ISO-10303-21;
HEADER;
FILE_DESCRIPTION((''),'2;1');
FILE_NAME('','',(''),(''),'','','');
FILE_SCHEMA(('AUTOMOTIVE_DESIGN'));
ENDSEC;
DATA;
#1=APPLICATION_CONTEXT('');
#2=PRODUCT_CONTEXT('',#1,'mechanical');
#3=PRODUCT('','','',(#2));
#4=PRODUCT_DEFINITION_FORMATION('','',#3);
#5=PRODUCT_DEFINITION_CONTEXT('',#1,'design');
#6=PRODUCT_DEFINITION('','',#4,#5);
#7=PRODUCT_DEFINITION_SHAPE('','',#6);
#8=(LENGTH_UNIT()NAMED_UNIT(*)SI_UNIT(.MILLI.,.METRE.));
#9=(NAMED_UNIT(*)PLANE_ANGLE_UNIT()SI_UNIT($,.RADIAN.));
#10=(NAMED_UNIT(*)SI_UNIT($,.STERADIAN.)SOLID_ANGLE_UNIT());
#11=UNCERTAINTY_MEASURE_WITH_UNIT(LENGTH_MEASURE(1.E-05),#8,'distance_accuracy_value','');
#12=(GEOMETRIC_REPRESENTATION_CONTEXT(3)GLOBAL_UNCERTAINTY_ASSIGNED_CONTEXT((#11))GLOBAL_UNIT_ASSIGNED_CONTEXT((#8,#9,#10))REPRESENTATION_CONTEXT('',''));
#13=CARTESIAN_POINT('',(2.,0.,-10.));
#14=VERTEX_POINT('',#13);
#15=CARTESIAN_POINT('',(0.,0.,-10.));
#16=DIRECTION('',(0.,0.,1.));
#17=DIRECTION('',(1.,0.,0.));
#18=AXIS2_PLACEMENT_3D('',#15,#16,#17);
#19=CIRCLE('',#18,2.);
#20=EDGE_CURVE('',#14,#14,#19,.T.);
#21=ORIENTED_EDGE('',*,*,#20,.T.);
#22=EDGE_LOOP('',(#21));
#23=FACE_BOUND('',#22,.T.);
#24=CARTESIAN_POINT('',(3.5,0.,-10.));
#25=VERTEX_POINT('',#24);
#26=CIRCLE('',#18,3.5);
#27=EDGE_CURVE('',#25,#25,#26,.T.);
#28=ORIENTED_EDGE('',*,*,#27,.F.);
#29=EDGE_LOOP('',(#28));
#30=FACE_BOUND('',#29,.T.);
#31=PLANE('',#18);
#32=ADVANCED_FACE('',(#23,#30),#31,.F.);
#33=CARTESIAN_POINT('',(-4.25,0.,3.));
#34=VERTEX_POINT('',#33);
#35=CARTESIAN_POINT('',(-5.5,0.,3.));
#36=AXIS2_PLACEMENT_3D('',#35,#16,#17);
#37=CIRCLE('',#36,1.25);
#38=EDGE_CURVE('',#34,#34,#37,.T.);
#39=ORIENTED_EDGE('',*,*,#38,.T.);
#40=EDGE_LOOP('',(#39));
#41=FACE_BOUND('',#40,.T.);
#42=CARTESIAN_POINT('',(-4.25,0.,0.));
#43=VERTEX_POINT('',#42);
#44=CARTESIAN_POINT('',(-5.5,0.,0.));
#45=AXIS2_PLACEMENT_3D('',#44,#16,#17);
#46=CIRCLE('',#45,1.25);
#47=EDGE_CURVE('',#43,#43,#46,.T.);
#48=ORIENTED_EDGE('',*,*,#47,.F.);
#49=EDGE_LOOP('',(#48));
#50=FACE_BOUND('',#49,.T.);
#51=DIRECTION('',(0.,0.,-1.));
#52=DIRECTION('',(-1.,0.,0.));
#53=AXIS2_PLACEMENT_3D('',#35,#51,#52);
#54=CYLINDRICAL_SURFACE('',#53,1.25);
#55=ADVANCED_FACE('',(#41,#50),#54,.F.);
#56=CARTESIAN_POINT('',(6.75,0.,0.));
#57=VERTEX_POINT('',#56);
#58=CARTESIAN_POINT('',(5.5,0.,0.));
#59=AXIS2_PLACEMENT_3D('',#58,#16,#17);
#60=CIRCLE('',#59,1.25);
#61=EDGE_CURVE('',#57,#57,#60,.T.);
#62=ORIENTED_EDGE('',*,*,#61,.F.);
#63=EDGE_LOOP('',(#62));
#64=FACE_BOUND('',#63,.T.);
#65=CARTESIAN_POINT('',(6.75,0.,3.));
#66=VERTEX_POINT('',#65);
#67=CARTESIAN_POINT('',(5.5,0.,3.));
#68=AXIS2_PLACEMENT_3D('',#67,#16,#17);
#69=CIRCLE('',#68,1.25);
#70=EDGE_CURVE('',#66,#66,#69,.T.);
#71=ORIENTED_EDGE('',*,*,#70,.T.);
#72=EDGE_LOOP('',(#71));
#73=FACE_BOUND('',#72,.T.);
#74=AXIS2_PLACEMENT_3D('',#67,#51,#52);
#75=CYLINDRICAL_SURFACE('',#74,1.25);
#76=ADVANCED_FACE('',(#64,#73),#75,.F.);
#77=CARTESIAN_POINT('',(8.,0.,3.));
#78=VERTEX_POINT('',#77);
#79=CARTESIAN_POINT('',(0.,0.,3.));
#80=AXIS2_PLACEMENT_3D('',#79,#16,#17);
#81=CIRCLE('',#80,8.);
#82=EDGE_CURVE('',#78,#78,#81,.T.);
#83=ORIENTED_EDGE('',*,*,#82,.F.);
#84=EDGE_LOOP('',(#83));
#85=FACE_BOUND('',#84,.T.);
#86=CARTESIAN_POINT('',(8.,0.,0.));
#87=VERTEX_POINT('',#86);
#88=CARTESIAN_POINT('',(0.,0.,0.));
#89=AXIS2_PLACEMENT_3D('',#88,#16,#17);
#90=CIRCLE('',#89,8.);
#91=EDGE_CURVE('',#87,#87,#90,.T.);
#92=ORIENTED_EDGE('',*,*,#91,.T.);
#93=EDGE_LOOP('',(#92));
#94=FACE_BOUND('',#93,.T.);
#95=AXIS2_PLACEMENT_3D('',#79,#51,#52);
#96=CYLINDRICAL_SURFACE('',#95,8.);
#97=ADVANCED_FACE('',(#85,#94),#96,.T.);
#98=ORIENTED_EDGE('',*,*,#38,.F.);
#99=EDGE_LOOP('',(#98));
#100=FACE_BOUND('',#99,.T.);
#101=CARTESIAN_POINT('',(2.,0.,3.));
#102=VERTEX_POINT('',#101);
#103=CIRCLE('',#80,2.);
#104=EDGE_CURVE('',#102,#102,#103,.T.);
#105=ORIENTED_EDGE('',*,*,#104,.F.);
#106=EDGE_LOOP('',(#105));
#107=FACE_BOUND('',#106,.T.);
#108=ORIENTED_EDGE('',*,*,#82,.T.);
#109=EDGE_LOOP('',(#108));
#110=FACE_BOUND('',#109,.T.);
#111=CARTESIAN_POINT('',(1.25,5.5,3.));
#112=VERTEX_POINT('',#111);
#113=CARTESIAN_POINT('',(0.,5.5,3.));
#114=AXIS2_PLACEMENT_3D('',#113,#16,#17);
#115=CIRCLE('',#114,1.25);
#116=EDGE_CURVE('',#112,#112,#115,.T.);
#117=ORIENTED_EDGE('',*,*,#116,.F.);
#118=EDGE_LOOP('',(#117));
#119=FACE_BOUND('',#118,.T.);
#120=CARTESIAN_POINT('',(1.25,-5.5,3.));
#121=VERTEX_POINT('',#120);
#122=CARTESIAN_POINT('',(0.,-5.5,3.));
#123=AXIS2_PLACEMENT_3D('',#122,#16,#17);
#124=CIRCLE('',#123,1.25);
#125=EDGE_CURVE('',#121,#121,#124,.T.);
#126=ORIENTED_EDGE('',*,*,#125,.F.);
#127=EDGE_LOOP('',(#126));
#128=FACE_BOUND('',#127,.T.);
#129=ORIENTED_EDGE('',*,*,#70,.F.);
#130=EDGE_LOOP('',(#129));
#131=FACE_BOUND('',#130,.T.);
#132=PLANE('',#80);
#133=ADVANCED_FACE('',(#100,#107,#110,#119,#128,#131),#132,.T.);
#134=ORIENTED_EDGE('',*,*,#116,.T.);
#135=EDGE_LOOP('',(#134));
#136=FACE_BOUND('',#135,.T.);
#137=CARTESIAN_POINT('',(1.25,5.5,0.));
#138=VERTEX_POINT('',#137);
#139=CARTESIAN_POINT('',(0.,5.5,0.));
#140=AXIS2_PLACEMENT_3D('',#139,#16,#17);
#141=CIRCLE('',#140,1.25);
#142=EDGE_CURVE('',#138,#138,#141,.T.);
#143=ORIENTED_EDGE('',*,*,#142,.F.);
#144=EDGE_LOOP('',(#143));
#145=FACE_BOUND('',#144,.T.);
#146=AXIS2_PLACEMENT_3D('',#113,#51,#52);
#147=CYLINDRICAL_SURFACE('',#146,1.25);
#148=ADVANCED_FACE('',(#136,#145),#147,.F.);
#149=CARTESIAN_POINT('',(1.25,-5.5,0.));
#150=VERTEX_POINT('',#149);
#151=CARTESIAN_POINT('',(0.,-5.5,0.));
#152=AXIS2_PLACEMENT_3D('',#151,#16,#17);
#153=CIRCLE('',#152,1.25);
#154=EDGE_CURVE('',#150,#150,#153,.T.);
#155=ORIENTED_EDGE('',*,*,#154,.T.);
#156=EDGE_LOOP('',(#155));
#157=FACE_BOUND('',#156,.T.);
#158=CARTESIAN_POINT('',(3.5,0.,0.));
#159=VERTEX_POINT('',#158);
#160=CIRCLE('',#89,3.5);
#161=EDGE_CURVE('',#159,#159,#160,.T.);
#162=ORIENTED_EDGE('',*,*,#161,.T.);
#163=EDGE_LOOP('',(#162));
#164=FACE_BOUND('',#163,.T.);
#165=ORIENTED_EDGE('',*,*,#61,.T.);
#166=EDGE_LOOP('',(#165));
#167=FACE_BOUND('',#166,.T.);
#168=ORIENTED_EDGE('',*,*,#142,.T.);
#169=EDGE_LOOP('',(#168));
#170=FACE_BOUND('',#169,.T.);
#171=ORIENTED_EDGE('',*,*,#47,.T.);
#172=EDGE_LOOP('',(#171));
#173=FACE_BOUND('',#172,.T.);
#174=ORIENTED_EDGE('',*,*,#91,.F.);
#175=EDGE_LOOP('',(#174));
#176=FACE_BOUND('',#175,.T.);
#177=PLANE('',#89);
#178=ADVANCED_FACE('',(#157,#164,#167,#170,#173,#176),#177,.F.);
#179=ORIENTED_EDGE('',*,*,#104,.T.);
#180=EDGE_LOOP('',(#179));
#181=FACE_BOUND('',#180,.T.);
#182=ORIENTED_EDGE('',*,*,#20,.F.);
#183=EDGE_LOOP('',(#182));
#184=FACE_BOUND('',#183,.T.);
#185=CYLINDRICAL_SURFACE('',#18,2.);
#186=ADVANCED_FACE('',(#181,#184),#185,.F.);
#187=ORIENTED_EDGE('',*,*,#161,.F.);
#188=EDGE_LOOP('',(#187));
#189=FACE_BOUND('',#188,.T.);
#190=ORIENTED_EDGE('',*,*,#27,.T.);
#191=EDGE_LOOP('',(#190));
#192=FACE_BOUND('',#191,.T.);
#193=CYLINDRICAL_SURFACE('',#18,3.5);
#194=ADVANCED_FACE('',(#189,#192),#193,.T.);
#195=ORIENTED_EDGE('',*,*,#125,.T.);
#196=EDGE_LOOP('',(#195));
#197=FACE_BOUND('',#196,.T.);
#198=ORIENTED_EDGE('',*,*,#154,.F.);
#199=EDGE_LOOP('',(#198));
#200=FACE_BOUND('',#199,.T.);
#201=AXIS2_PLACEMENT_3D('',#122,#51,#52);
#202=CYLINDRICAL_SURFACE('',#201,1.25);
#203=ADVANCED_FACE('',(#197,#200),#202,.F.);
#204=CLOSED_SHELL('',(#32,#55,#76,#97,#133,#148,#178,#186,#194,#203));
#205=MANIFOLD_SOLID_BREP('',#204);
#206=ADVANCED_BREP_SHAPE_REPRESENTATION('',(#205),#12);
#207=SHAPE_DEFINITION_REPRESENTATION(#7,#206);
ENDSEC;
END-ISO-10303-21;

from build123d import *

# Parameters (mm, degrees)
SKETCH1_R           = 8
SKETCH1_R_2         = 1.25
BOSS_EXTRUDE1_DEPTH = 3
SKETCH2_R           = 3.5
BOSS_EXTRUDE2_DEPTH = 10
SKETCH3_R           = 2
CUT_EXTRUDE1_DEPTH  = 18.23368794


with BuildPart() as part:
    # Sketch1 → Boss-Extrude1 (new body)
    with BuildSketch(Plane.XY):
        Circle(SKETCH1_R)
        with Locations((0, 5.5)):
            Circle(SKETCH1_R_2, mode=Mode.SUBTRACT)
        with Locations((5.5, 0)):
            Circle(SKETCH1_R_2, mode=Mode.SUBTRACT)
        with Locations((0, -5.5)):
            Circle(SKETCH1_R_2, mode=Mode.SUBTRACT)
        with Locations((-5.5, 0)):
            Circle(SKETCH1_R_2, mode=Mode.SUBTRACT)
    extrude(amount=BOSS_EXTRUDE1_DEPTH)

    # Sketch2 → Boss-Extrude2 (add)
    with BuildSketch(Plane.XY):
        Circle(SKETCH2_R)
    extrude(amount=-BOSS_EXTRUDE2_DEPTH)

    # Sketch3 → Cut-Extrude1 (cut, through all)
    with BuildSketch(Plane.XY.offset(3)):
        Circle(SKETCH3_R)
    extrude(amount=-CUT_EXTRUDE1_DEPTH, mode=Mode.SUBTRACT)


solid = part.part
